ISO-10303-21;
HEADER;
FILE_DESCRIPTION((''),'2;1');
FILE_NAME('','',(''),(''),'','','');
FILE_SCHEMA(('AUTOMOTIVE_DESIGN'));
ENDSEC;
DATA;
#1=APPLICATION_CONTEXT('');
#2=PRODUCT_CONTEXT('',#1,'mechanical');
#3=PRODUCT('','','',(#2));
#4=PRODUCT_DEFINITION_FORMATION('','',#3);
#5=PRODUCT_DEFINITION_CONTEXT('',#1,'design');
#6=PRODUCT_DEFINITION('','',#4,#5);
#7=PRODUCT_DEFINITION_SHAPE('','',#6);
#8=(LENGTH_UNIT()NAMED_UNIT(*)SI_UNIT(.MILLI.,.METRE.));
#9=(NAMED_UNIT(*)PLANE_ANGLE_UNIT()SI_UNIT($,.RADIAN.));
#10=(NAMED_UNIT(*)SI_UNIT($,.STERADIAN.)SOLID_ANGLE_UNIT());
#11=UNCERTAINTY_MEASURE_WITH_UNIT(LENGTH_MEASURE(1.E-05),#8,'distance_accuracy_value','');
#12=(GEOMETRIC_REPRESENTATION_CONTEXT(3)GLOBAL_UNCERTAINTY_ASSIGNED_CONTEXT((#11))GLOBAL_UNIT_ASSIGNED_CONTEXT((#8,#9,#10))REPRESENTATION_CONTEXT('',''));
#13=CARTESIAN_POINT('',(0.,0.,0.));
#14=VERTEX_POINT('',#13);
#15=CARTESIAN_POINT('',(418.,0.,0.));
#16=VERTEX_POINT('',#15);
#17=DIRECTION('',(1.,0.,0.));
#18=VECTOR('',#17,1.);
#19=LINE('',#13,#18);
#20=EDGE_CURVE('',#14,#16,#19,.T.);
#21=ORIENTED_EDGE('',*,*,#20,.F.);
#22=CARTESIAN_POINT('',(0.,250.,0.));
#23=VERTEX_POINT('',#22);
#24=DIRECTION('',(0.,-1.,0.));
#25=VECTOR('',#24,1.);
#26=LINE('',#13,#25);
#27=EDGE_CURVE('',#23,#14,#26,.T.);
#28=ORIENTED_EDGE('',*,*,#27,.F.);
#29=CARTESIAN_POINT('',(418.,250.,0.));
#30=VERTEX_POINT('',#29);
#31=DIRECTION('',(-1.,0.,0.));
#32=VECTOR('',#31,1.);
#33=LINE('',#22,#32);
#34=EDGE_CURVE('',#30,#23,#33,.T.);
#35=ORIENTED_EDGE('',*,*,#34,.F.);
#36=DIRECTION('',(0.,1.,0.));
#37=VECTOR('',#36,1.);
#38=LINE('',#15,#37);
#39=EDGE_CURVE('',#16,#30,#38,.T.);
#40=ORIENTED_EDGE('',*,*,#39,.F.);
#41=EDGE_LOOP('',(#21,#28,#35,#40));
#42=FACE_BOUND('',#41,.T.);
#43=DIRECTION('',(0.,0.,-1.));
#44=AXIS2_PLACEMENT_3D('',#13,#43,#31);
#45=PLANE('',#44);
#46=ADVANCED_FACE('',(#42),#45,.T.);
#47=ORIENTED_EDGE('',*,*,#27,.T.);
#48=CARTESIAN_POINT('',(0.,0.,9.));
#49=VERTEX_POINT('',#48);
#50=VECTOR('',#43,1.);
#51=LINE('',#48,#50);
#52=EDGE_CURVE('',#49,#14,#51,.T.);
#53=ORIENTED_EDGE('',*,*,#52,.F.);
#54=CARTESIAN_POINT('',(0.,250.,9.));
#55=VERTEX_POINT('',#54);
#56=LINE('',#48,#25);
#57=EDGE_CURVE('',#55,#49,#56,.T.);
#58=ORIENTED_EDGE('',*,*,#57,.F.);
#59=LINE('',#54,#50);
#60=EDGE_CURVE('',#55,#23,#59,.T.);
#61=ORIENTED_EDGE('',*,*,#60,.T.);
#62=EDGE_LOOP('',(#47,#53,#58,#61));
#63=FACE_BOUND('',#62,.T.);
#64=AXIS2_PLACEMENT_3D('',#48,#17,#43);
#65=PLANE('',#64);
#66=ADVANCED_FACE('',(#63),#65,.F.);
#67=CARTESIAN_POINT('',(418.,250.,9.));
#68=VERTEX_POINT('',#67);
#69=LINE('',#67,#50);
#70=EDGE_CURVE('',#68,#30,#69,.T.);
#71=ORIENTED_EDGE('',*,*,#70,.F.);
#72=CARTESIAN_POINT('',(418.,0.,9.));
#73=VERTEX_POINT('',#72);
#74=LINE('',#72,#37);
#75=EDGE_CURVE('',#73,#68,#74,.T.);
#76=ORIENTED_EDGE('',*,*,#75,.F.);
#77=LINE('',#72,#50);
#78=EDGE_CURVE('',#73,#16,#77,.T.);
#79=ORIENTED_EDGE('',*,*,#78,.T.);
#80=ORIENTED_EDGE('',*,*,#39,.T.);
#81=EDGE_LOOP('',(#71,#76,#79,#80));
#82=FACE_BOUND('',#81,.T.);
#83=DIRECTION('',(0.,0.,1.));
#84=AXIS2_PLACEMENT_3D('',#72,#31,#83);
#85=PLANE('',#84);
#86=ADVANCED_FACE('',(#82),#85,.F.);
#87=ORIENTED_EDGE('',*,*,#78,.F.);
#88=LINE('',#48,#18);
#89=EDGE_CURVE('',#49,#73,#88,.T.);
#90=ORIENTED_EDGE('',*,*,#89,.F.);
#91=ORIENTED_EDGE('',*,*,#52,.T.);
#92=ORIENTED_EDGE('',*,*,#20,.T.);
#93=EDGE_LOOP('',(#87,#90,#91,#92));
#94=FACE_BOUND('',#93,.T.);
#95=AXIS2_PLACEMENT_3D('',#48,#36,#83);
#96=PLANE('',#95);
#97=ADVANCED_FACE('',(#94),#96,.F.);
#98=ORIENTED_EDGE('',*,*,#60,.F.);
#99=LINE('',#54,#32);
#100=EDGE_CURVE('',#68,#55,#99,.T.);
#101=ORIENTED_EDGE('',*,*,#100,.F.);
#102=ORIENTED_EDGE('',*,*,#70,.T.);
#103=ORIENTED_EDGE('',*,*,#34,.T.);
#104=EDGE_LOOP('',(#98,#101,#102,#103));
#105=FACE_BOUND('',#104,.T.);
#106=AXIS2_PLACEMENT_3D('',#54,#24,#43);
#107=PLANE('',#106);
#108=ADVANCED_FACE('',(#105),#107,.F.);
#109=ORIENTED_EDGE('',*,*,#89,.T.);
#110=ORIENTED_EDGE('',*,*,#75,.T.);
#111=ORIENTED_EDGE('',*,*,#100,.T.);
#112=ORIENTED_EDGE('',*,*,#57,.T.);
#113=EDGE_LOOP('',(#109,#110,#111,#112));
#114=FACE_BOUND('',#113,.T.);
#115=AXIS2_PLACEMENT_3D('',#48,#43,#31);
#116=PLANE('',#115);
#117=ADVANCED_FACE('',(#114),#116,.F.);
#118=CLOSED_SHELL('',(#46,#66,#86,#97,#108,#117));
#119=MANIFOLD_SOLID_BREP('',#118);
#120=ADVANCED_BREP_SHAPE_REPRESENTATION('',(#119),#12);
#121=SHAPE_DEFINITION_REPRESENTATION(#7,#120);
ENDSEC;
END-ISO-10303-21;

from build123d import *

# Parameters (mm, degrees)
SKETCH1_W           = 418
SKETCH1_H           = 250
BOSS_EXTRUDE1_DEPTH = 9


with BuildPart() as part:
    # Sketch1 → Boss-Extrude1 (new body)
    with BuildSketch(Plane.XY):
        with Locations((209, 125)):
            Rectangle(SKETCH1_W, SKETCH1_H)
    extrude(amount=BOSS_EXTRUDE1_DEPTH)


solid = part.part
